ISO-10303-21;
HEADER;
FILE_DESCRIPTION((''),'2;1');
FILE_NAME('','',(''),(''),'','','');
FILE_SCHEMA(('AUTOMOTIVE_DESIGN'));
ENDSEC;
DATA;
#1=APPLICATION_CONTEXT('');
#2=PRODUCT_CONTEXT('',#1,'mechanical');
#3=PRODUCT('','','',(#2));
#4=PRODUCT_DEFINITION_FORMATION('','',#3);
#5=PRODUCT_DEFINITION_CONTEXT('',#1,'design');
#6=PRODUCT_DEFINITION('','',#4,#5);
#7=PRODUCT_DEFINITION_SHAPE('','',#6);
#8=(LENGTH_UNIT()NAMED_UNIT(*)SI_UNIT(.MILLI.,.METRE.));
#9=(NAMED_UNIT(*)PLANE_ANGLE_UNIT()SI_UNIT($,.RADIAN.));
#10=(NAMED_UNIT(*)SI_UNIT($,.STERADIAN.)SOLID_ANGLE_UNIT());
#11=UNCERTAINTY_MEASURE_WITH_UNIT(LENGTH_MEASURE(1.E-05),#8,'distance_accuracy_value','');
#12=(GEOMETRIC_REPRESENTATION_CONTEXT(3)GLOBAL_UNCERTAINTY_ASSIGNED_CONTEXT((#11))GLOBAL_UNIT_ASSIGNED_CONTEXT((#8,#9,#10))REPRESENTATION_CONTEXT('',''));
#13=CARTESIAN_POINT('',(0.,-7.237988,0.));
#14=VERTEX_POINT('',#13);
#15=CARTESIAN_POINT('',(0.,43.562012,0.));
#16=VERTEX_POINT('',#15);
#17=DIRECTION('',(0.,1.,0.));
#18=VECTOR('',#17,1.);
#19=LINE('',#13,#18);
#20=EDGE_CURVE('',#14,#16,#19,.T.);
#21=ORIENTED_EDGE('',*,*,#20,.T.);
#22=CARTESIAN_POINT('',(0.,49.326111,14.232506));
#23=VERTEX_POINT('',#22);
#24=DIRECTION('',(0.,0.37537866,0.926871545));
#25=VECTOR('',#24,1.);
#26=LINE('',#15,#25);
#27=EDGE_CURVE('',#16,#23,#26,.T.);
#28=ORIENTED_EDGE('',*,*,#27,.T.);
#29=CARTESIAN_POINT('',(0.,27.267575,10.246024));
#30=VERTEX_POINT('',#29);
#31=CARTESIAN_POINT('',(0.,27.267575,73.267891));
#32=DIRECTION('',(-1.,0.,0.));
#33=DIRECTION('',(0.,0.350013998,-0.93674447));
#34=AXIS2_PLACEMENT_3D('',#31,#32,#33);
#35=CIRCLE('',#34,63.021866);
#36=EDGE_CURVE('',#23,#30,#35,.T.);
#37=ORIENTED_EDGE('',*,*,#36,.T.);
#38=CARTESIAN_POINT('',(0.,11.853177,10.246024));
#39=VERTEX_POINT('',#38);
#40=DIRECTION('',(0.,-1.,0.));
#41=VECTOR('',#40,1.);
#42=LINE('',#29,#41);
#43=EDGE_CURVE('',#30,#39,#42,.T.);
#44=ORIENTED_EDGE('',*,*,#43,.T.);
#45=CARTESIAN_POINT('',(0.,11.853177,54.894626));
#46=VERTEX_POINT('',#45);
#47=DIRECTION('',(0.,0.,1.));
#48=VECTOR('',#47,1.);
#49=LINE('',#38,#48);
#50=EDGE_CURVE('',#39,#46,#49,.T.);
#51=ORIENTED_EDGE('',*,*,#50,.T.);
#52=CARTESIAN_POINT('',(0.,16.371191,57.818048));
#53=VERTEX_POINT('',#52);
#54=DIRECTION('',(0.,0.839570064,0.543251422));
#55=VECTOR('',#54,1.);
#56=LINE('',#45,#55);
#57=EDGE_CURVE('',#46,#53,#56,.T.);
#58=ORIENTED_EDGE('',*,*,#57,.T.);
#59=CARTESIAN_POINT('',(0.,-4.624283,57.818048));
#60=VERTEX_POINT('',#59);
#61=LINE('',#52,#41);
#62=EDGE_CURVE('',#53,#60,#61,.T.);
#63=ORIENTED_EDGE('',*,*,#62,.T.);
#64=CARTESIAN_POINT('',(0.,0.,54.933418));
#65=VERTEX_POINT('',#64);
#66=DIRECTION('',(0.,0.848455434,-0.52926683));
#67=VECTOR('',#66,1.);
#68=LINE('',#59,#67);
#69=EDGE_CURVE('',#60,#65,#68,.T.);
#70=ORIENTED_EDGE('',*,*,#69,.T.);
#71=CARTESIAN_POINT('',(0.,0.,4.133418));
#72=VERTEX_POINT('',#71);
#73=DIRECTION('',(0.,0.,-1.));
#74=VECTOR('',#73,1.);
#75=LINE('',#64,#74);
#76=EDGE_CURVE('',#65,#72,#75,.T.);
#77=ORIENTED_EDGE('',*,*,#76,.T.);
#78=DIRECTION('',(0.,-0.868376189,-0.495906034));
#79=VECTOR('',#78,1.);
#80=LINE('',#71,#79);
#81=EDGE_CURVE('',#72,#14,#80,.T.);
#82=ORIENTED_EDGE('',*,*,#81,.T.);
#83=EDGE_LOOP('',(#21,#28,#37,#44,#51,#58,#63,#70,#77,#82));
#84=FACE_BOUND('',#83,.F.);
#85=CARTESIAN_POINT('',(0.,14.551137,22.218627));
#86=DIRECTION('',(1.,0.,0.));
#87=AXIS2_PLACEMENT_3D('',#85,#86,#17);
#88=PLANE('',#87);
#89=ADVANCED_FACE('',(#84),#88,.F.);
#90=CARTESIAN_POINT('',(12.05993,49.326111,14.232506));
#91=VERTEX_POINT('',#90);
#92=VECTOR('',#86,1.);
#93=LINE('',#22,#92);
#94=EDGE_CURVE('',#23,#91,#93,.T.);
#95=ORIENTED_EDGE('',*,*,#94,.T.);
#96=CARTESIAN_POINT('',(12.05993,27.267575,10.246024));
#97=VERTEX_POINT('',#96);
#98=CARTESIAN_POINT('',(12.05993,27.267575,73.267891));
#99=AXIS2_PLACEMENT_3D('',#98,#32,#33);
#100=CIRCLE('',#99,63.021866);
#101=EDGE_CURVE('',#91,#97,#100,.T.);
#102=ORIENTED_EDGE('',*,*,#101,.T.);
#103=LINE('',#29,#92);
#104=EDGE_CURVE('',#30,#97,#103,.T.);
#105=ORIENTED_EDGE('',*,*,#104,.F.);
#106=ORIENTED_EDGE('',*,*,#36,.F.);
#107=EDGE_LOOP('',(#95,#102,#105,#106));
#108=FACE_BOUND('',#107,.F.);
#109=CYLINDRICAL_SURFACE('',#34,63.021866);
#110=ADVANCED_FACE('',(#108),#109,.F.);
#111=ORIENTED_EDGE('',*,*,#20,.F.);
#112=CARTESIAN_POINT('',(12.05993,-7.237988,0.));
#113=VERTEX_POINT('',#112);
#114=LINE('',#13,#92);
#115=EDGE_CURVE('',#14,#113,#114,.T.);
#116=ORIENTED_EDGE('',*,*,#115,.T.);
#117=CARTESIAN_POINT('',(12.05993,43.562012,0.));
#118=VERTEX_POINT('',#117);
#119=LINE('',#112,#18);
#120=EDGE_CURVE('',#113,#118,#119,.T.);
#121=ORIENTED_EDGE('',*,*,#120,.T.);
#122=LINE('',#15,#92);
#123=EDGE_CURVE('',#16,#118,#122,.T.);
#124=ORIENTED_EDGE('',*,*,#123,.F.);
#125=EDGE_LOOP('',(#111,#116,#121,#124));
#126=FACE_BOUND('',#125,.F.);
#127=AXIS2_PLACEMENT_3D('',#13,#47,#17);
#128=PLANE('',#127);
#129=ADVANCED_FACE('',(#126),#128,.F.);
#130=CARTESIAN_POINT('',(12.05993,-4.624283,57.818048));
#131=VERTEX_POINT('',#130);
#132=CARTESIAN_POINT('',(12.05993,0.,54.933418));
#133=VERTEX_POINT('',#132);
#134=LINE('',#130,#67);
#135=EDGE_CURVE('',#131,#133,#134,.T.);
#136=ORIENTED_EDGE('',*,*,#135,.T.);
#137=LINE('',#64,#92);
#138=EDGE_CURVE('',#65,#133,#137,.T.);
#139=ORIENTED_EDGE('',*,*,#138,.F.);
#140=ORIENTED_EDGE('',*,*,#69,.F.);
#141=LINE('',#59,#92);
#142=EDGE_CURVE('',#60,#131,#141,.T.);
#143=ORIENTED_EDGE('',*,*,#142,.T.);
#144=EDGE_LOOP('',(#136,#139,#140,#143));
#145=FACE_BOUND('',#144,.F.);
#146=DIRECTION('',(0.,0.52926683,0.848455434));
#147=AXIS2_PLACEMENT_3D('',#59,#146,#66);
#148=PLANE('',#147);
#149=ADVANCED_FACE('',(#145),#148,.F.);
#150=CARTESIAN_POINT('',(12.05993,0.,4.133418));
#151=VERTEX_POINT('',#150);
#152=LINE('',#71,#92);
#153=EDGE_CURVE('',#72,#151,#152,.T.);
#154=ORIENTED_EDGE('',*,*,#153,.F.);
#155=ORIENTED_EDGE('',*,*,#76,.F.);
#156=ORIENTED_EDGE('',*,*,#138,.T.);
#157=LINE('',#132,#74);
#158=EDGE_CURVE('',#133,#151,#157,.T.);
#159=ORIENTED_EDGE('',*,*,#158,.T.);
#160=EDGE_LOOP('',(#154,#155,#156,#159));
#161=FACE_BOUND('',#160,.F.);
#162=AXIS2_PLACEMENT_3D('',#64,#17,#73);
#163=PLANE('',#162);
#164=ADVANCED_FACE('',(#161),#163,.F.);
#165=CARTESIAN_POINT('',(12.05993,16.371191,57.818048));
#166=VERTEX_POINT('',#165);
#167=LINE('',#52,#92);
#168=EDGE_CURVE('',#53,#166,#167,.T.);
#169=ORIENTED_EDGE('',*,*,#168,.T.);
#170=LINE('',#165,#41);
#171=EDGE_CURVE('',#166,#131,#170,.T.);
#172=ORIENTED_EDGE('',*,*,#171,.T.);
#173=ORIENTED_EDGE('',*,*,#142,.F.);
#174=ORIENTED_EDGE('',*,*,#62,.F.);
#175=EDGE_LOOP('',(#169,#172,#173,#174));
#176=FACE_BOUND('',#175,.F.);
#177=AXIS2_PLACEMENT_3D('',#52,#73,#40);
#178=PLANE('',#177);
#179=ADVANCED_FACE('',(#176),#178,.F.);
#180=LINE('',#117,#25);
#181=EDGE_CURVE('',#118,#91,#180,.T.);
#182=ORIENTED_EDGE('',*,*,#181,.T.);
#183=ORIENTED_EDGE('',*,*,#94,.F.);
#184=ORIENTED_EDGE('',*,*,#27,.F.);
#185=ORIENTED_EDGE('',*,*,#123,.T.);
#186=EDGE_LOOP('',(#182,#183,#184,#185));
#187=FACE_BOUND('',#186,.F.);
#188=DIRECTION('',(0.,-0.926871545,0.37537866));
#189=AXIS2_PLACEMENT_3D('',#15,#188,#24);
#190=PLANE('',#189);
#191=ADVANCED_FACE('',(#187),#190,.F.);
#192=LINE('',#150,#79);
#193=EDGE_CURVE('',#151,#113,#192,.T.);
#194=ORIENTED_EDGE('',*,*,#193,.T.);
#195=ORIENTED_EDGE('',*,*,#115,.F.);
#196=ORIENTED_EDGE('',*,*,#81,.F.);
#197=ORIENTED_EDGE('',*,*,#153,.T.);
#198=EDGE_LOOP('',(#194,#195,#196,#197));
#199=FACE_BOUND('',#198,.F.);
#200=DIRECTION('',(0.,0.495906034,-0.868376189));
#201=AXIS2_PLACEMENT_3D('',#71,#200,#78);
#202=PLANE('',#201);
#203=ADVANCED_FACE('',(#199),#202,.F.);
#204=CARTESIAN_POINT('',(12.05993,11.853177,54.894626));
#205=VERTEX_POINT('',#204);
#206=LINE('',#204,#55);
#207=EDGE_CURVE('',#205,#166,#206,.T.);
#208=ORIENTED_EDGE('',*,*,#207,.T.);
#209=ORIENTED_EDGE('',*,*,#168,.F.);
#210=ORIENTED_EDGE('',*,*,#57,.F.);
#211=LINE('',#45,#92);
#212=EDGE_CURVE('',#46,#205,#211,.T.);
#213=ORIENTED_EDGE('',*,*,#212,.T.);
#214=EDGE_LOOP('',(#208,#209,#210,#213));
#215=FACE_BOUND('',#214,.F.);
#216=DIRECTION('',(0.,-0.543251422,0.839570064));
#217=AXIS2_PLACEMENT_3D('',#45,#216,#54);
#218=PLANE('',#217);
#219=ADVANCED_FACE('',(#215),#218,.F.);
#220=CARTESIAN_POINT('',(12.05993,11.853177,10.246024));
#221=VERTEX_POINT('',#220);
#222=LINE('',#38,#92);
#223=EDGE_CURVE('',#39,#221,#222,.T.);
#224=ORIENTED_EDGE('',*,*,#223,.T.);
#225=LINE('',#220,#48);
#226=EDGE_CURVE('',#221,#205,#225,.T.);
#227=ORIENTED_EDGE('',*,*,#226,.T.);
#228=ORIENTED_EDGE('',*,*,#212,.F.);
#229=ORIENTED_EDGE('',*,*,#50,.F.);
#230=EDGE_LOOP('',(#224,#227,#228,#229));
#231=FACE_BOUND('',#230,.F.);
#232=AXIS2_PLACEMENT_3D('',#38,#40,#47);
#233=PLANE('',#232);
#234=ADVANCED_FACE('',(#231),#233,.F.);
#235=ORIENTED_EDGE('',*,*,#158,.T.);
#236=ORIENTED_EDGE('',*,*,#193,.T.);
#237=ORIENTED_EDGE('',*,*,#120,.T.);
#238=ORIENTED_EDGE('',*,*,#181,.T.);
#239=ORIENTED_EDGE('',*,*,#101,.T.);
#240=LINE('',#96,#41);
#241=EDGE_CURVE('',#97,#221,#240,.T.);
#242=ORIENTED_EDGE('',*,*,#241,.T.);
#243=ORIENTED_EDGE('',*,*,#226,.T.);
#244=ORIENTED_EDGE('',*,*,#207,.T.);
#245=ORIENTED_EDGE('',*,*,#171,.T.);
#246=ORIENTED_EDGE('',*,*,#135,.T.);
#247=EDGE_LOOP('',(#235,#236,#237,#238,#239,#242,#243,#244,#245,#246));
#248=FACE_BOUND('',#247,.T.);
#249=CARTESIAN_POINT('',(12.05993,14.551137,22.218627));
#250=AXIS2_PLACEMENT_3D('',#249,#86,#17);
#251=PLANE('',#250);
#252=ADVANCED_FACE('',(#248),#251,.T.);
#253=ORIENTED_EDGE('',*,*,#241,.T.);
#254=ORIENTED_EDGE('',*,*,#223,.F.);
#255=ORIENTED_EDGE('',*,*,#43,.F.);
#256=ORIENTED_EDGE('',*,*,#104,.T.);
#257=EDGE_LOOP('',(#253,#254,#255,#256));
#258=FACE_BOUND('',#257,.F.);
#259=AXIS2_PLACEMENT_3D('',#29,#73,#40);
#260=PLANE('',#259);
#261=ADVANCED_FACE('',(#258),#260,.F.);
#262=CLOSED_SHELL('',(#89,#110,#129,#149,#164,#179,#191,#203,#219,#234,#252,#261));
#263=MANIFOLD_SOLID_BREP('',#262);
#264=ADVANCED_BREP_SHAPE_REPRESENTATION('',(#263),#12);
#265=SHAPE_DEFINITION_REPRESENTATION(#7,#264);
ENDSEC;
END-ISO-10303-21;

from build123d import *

# Parameters (mm, degrees)
F1_DEPTH = 12.05993
F3_DEPTH = 12.23708
F4_W     = 63.86287231
F4_H     = 63.649994554
F5_DEPTH = 2.13452
F6_R     = 49.0086529646
F6_W     = 63.86287231
F6_H     = 63.649994554
F7_DEPTH = 9.144


with BuildPart() as f1:
    # F0 (on Right) → F1 (new body)
    with BuildSketch(Plane.YZ):
        with BuildLine():
            Line((0, 4.1334182024), (-7.2379880522, 0))
            Line((-7.2379880522, 0), (43.5620119478, 0))
            Line((43.5620119478, 0), (49.3261106312, 14.2325060442))
            ThreePointArc((49.3261106312, 14.2325060442), (38.4755079225, 11.2506522164), (27.267575264, 10.2460244671))
            Line((27.267575264, 10.2460244671), (11.8531771004, 10.2460244671))
            Line((11.8531771004, 10.2460244671), (11.8531771004, 54.8946261406))
            Line((11.8531771004, 54.8946261406), (16.3711905479, 57.8180477023))
            Line((16.3711905479, 57.8180477023), (-4.6242829412, 57.8180477023))
            Line((-4.6242829412, 57.8180477023), (0, 54.9334182024))
            Line((0, 54.9334182024), (0, 4.1334182024))
        make_face()
    extrude(amount=F1_DEPTH)


with BuildPart() as f3:
    # F2 (on Right) → F3 (new body)
    with BuildSketch(Plane.YZ):
        Polygon((-8.8458675891, -1.5856656246), (-10.2534089237, -3.0272443658), (53.2465910763, -3.0272443658), (51.5569411218, -1.4188061468), align=None)
        Polygon((-10.2534089237, 60.4727556342), (-10.2534089237, -3.0272443658), (-8.8458675891, -1.5856656246), (-8.8458675891, 58.8171444833), align=None)
        Polygon((51.5569411218, -1.4188061468), (53.2465910763, -3.0272443658), (53.2465910763, 60.4727556342), (51.5569411218, 58.8171444833), align=None)
        Polygon((53.2465910763, 60.4727556342), (-10.2534089237, 60.4727556342), (-8.8458675891, 58.8171444833), (51.5569411218, 58.8171444833), align=None)
    extrude(amount=F3_DEPTH)


with BuildPart() as f5:
    # F4 (on Right) → F5 (new body)
    with BuildSketch(Plane.YZ):
        with Locations((21.525492426, 28.6787872901)):
            Rectangle(F4_W, F4_H)
    extrude(amount=-F5_DEPTH)

    # F6 (on face) → F7 (join)
    with BuildSketch(Plane(origin=(-2.13452, 0, 0), x_dir=(0, -1, 0), z_dir=(-1, 0, 0))):
        with Locations((-21.525492426, 28.6787872901)):
            Circle(F6_R)
        with Locations((-21.525492426, 28.6787872901)):
            Rectangle(F6_W, F6_H, mode=Mode.SUBTRACT)
    extrude(amount=-F7_DEPTH)


solid = f1.part
